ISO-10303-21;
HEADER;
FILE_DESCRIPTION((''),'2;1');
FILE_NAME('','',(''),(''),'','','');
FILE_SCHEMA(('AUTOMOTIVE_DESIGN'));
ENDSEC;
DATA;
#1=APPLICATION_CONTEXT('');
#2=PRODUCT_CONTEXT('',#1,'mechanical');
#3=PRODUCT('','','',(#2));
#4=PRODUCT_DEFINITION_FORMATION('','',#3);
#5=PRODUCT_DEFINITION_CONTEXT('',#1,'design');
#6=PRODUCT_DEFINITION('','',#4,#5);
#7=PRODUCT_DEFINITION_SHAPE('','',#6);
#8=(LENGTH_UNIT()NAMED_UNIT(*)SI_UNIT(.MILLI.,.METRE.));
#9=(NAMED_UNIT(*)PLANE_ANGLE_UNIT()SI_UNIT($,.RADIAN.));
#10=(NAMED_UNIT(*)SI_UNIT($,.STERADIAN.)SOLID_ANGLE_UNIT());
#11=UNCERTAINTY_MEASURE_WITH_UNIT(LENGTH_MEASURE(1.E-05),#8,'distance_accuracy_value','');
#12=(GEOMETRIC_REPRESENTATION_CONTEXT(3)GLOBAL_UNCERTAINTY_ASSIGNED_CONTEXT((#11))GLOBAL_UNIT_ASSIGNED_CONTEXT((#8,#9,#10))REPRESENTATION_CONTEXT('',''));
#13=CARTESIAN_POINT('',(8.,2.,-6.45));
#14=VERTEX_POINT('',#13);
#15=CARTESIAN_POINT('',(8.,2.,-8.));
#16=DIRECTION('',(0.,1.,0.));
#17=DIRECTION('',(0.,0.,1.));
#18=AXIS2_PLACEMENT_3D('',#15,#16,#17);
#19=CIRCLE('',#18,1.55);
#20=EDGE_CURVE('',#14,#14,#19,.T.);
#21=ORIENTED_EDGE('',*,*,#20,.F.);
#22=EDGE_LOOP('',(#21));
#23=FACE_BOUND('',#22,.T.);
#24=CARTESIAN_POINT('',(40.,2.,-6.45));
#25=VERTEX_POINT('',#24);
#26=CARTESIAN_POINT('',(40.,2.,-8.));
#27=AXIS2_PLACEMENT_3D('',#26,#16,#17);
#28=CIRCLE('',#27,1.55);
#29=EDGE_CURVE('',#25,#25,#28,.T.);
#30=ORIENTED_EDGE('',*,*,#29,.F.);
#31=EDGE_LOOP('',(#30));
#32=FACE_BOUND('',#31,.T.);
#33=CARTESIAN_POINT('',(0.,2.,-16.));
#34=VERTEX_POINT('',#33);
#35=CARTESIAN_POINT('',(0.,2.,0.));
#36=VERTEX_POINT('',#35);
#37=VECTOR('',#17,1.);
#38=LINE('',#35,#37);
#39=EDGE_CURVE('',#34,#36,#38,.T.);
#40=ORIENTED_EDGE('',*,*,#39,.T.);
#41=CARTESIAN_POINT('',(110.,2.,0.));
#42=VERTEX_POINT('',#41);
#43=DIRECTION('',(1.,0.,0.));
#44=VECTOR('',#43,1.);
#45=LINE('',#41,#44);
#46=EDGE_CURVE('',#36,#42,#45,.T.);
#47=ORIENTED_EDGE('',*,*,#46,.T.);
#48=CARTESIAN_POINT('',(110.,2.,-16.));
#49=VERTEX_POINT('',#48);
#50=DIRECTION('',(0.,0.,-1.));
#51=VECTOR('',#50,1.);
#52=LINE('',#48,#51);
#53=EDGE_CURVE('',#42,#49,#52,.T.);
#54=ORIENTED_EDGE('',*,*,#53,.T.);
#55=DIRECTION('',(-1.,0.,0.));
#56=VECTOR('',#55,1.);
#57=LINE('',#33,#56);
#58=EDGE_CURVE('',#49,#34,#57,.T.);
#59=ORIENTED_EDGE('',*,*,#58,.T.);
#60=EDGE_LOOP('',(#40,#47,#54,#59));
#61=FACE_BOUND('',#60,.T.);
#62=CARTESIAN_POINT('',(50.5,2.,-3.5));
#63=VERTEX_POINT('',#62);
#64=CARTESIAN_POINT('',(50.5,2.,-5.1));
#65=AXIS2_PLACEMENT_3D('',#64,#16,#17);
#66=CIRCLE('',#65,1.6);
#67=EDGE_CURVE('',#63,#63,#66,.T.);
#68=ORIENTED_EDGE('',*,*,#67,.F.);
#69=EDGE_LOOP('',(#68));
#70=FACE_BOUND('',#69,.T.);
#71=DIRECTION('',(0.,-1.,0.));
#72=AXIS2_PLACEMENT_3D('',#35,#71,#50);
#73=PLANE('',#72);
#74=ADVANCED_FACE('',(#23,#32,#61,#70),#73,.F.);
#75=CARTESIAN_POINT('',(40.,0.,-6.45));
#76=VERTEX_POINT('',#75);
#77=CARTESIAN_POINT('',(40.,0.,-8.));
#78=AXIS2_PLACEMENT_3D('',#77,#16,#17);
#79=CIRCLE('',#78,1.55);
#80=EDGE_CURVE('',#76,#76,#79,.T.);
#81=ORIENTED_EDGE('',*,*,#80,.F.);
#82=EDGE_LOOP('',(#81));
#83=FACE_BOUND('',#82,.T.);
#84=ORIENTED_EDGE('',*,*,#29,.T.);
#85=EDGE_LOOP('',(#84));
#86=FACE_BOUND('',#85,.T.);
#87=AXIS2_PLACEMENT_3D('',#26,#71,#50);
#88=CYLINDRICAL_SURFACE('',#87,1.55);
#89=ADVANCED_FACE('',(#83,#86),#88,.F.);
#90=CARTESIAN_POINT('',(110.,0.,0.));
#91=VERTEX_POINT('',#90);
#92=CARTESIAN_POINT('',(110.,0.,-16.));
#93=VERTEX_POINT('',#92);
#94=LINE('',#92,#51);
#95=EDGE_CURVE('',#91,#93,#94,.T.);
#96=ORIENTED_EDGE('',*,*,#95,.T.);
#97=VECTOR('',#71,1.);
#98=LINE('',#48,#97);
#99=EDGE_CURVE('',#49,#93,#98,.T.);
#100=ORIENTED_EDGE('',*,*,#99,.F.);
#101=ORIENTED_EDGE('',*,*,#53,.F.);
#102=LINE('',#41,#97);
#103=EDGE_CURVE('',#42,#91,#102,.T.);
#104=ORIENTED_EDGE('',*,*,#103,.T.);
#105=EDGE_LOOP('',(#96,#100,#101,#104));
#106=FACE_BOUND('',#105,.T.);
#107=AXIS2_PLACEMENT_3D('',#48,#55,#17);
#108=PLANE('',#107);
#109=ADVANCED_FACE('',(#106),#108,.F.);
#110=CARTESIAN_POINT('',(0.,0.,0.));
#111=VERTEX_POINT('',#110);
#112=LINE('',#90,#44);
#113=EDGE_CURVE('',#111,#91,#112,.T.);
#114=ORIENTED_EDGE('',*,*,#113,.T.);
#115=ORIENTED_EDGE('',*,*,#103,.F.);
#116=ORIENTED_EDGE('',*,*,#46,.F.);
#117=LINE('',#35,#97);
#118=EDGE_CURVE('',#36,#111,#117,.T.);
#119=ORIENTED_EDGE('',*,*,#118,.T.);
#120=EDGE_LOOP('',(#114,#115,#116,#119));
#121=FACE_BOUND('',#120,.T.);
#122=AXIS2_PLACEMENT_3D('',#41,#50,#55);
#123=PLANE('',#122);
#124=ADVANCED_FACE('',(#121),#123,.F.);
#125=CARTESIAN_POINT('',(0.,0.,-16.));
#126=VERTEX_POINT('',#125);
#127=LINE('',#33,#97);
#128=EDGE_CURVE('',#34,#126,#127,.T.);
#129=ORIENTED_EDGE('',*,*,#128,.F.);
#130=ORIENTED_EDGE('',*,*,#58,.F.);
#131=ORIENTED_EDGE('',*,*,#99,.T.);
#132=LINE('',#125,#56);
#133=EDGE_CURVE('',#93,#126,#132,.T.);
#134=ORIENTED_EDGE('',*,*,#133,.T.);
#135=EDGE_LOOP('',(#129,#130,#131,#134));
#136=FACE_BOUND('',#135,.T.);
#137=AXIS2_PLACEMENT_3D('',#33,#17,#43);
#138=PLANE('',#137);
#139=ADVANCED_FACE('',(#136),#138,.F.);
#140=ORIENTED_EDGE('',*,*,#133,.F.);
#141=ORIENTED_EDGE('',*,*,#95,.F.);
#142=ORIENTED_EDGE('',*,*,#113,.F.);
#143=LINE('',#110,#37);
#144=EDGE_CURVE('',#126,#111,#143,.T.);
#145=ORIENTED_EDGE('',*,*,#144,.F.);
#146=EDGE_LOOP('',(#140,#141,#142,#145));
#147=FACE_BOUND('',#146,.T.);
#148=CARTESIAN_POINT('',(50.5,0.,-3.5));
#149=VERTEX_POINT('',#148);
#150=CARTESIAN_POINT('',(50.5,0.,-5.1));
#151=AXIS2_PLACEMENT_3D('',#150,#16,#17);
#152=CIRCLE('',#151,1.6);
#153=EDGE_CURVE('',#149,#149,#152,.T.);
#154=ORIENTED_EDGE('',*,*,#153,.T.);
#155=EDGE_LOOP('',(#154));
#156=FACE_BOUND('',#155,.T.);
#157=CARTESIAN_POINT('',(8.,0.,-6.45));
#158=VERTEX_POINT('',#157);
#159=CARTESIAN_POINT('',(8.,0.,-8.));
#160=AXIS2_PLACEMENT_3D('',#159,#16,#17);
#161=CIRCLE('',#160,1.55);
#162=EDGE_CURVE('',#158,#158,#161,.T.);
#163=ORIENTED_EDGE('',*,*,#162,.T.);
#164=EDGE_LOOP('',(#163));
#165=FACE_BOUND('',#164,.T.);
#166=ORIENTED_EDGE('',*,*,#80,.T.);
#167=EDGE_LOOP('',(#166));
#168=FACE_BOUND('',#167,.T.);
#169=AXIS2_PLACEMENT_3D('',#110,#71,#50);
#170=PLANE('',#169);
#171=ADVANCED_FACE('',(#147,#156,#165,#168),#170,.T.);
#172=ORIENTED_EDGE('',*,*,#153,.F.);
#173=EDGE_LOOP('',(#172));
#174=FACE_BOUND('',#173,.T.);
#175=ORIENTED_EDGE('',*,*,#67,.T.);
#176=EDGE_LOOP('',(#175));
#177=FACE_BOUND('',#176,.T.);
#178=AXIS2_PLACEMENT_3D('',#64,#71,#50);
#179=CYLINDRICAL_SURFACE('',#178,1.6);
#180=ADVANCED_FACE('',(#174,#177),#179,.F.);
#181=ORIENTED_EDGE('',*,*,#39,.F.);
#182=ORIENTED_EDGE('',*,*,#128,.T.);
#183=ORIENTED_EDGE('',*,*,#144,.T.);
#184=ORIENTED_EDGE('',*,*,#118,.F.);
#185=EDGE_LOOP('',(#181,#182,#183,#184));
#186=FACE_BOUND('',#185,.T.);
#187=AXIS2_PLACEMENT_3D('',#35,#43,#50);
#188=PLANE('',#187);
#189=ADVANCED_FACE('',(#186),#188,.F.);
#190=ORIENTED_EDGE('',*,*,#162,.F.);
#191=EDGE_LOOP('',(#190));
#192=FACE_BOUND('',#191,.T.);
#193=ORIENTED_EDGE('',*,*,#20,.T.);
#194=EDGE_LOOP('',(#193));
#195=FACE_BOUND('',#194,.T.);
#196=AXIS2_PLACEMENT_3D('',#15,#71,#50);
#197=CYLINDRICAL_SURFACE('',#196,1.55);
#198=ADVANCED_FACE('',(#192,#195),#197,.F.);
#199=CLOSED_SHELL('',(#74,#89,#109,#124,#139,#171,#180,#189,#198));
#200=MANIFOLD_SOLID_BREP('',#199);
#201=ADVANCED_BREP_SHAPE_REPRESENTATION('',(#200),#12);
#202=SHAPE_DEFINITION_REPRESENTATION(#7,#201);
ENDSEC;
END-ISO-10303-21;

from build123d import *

# Parameters (mm, degrees)
ESQUISSE1_W        = 110
ESQUISSE1_H        = 16
ESQUISSE1_R        = 1.55
ESQUISSE1_R_2      = 1.6
BOSS_EXTRU_1_DEPTH = 2


with BuildPart() as part:
    # Esquisse1 → Boss.-Extru.1 (new body)
    with BuildSketch(Plane(origin=(0, 0, 0), x_dir=(1, 0, 0), z_dir=(0, 1, 0))):
        with Locations((55, 8)):
            Rectangle(ESQUISSE1_W, ESQUISSE1_H)
        with Locations(Location((8, 8, 0), (0, 0, 270))):
            Circle(ESQUISSE1_R, mode=Mode.SUBTRACT)
        with Locations(Location((40, 8, 0), (0, 0, 270))):
            Circle(ESQUISSE1_R, mode=Mode.SUBTRACT)
        with Locations(Location((50.5, 5.1, 0), (0, 0, 270))):
            Circle(ESQUISSE1_R_2, mode=Mode.SUBTRACT)
    extrude(amount=BOSS_EXTRU_1_DEPTH)


solid = part.part
